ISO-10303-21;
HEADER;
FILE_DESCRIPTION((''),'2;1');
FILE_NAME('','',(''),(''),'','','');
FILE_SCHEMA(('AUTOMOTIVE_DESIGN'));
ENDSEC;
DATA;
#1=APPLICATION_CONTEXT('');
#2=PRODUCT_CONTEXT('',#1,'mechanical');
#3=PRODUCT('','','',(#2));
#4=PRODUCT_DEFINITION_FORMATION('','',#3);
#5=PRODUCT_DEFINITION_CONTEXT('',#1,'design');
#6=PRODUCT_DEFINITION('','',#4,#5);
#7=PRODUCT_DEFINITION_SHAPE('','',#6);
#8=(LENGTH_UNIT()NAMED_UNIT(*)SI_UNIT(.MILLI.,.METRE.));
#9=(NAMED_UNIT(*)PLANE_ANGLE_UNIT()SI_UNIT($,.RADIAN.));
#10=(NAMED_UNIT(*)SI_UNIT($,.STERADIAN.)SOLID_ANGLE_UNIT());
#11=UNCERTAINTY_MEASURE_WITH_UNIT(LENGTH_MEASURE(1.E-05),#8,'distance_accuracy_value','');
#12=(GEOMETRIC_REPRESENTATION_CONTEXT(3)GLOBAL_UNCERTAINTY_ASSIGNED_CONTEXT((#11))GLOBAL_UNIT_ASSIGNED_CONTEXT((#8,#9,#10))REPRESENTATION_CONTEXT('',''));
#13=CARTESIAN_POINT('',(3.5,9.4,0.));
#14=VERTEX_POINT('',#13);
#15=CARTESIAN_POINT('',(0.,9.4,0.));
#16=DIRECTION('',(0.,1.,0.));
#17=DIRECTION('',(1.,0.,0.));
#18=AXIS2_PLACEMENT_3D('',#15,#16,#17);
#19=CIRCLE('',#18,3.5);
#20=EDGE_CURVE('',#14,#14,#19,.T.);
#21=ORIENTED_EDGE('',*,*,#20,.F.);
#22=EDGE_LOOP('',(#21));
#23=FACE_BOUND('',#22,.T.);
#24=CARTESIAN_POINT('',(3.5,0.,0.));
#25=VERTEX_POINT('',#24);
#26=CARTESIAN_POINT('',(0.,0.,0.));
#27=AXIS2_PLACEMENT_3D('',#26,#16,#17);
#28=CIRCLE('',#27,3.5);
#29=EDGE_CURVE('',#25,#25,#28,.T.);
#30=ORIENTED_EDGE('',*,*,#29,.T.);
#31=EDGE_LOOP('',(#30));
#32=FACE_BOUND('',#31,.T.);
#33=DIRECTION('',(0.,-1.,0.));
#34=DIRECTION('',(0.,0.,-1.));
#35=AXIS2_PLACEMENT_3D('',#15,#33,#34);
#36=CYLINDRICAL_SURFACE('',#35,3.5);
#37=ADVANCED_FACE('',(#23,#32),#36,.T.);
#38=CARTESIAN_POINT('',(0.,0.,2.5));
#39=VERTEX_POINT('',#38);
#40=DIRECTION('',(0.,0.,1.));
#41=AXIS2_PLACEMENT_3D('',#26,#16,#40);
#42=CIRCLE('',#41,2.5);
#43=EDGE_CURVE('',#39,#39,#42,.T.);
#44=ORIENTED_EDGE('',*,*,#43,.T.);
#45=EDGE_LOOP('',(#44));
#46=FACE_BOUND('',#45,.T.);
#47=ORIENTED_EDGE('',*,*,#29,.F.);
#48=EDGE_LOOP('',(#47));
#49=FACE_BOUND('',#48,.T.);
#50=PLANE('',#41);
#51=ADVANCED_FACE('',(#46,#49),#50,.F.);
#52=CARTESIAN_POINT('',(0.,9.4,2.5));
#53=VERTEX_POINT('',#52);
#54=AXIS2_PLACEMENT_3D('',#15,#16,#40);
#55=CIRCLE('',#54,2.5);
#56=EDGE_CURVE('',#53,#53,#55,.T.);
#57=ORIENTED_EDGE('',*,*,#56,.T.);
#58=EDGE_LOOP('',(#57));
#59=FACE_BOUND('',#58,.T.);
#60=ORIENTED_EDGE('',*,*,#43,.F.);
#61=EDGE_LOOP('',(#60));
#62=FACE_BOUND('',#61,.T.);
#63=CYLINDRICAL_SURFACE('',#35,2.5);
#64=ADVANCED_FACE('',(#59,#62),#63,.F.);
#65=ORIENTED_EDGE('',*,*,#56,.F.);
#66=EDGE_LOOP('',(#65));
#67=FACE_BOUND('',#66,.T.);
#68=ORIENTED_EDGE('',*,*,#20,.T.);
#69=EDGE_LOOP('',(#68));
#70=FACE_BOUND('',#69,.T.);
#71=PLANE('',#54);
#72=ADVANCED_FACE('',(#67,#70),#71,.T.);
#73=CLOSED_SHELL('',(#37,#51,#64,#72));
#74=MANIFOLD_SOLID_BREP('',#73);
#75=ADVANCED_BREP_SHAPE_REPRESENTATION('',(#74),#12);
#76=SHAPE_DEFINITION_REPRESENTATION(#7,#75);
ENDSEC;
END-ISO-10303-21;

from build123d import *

# Parameters (mm, degrees)
SCHIZZO1_R                = 3.5
SCHIZZO1_R_2              = 2.5
ESTRUSIONE_SOTTILE1_DEPTH = 9.4


with BuildPart() as part:
    # Schizzo1 → Estrusione-Sottile1 (new body)
    with BuildSketch(Plane(origin=(0, 0, 0), x_dir=(1, 0, 0), z_dir=(0, 1, 0))):
        Circle(SCHIZZO1_R)
        Circle(SCHIZZO1_R_2, mode=Mode.SUBTRACT)
    extrude(amount=ESTRUSIONE_SOTTILE1_DEPTH)


solid = part.part
